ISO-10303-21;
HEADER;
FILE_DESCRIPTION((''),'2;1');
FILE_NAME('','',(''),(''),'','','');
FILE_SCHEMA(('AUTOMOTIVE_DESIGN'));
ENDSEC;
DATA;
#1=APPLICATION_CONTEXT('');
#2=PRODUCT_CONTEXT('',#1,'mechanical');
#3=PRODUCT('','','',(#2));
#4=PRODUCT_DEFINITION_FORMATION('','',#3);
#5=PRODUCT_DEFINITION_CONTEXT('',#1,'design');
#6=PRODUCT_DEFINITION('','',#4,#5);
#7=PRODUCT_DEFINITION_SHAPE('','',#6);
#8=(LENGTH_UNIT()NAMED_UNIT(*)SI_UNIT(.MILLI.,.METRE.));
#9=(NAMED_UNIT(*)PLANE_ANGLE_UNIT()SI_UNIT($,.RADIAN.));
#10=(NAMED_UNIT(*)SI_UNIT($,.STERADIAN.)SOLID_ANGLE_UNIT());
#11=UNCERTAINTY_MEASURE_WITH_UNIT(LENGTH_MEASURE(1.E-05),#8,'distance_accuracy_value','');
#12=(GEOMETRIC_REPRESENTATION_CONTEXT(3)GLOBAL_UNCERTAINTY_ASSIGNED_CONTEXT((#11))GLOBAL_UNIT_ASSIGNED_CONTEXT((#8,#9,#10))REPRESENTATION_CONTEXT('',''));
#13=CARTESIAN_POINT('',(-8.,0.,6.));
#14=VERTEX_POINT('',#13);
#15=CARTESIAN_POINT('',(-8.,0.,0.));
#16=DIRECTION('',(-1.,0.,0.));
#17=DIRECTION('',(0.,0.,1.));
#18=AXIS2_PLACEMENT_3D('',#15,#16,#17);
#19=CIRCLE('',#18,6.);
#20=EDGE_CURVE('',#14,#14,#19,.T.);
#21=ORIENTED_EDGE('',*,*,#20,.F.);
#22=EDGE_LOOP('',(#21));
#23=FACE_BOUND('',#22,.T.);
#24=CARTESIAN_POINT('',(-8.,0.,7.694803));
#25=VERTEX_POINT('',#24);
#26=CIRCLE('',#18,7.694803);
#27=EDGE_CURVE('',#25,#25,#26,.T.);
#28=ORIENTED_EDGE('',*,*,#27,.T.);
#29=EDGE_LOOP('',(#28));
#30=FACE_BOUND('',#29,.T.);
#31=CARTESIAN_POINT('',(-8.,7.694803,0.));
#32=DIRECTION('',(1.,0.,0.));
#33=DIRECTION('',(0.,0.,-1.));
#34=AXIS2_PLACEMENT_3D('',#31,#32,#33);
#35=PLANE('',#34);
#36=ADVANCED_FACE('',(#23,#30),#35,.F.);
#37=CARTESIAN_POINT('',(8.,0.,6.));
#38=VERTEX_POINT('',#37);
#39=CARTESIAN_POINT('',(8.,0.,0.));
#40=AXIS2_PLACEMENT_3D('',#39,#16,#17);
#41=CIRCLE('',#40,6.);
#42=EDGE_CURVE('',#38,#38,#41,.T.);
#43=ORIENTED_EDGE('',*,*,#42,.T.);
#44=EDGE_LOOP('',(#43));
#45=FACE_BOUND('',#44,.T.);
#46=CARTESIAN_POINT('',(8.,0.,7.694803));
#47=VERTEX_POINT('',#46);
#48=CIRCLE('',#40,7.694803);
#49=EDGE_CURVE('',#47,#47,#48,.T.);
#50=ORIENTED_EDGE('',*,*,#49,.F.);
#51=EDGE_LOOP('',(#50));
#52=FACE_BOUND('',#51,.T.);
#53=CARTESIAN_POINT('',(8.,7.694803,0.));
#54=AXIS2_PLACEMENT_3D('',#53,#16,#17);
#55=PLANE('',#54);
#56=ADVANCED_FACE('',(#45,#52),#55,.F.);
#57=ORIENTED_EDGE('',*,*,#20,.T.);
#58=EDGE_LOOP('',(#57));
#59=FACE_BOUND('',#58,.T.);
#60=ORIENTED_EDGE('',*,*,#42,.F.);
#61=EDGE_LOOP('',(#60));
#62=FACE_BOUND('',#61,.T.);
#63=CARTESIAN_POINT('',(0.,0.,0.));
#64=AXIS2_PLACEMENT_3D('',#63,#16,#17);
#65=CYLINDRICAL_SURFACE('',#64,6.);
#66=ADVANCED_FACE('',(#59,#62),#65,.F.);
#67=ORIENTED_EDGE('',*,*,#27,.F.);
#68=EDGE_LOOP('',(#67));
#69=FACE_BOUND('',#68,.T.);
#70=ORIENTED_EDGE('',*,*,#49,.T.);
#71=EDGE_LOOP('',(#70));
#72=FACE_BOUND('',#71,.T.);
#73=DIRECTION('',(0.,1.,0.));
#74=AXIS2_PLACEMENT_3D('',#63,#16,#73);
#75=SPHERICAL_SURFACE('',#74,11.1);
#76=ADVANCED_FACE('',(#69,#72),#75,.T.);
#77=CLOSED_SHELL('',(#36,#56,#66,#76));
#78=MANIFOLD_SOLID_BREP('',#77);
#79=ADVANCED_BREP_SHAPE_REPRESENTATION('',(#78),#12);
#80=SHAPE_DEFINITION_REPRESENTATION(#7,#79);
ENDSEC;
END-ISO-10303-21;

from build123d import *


with BuildPart() as part:
    # Sketch1 → Revolve1 (revolve)
    with BuildSketch(Plane.XY):
        with BuildLine():
            Line((8, 7.694803441), (8, 6))
            Line((8, 6), (-8, 6))
            Line((-8, 6), (-8, 7.694803441))
            ThreePointArc((-8, 7.694803441), (0, 11.1), (8, 7.694803441))
        make_face()
    revolve(axis=Axis((0, 0, 0), (1, 0, 0)))


solid = part.part
